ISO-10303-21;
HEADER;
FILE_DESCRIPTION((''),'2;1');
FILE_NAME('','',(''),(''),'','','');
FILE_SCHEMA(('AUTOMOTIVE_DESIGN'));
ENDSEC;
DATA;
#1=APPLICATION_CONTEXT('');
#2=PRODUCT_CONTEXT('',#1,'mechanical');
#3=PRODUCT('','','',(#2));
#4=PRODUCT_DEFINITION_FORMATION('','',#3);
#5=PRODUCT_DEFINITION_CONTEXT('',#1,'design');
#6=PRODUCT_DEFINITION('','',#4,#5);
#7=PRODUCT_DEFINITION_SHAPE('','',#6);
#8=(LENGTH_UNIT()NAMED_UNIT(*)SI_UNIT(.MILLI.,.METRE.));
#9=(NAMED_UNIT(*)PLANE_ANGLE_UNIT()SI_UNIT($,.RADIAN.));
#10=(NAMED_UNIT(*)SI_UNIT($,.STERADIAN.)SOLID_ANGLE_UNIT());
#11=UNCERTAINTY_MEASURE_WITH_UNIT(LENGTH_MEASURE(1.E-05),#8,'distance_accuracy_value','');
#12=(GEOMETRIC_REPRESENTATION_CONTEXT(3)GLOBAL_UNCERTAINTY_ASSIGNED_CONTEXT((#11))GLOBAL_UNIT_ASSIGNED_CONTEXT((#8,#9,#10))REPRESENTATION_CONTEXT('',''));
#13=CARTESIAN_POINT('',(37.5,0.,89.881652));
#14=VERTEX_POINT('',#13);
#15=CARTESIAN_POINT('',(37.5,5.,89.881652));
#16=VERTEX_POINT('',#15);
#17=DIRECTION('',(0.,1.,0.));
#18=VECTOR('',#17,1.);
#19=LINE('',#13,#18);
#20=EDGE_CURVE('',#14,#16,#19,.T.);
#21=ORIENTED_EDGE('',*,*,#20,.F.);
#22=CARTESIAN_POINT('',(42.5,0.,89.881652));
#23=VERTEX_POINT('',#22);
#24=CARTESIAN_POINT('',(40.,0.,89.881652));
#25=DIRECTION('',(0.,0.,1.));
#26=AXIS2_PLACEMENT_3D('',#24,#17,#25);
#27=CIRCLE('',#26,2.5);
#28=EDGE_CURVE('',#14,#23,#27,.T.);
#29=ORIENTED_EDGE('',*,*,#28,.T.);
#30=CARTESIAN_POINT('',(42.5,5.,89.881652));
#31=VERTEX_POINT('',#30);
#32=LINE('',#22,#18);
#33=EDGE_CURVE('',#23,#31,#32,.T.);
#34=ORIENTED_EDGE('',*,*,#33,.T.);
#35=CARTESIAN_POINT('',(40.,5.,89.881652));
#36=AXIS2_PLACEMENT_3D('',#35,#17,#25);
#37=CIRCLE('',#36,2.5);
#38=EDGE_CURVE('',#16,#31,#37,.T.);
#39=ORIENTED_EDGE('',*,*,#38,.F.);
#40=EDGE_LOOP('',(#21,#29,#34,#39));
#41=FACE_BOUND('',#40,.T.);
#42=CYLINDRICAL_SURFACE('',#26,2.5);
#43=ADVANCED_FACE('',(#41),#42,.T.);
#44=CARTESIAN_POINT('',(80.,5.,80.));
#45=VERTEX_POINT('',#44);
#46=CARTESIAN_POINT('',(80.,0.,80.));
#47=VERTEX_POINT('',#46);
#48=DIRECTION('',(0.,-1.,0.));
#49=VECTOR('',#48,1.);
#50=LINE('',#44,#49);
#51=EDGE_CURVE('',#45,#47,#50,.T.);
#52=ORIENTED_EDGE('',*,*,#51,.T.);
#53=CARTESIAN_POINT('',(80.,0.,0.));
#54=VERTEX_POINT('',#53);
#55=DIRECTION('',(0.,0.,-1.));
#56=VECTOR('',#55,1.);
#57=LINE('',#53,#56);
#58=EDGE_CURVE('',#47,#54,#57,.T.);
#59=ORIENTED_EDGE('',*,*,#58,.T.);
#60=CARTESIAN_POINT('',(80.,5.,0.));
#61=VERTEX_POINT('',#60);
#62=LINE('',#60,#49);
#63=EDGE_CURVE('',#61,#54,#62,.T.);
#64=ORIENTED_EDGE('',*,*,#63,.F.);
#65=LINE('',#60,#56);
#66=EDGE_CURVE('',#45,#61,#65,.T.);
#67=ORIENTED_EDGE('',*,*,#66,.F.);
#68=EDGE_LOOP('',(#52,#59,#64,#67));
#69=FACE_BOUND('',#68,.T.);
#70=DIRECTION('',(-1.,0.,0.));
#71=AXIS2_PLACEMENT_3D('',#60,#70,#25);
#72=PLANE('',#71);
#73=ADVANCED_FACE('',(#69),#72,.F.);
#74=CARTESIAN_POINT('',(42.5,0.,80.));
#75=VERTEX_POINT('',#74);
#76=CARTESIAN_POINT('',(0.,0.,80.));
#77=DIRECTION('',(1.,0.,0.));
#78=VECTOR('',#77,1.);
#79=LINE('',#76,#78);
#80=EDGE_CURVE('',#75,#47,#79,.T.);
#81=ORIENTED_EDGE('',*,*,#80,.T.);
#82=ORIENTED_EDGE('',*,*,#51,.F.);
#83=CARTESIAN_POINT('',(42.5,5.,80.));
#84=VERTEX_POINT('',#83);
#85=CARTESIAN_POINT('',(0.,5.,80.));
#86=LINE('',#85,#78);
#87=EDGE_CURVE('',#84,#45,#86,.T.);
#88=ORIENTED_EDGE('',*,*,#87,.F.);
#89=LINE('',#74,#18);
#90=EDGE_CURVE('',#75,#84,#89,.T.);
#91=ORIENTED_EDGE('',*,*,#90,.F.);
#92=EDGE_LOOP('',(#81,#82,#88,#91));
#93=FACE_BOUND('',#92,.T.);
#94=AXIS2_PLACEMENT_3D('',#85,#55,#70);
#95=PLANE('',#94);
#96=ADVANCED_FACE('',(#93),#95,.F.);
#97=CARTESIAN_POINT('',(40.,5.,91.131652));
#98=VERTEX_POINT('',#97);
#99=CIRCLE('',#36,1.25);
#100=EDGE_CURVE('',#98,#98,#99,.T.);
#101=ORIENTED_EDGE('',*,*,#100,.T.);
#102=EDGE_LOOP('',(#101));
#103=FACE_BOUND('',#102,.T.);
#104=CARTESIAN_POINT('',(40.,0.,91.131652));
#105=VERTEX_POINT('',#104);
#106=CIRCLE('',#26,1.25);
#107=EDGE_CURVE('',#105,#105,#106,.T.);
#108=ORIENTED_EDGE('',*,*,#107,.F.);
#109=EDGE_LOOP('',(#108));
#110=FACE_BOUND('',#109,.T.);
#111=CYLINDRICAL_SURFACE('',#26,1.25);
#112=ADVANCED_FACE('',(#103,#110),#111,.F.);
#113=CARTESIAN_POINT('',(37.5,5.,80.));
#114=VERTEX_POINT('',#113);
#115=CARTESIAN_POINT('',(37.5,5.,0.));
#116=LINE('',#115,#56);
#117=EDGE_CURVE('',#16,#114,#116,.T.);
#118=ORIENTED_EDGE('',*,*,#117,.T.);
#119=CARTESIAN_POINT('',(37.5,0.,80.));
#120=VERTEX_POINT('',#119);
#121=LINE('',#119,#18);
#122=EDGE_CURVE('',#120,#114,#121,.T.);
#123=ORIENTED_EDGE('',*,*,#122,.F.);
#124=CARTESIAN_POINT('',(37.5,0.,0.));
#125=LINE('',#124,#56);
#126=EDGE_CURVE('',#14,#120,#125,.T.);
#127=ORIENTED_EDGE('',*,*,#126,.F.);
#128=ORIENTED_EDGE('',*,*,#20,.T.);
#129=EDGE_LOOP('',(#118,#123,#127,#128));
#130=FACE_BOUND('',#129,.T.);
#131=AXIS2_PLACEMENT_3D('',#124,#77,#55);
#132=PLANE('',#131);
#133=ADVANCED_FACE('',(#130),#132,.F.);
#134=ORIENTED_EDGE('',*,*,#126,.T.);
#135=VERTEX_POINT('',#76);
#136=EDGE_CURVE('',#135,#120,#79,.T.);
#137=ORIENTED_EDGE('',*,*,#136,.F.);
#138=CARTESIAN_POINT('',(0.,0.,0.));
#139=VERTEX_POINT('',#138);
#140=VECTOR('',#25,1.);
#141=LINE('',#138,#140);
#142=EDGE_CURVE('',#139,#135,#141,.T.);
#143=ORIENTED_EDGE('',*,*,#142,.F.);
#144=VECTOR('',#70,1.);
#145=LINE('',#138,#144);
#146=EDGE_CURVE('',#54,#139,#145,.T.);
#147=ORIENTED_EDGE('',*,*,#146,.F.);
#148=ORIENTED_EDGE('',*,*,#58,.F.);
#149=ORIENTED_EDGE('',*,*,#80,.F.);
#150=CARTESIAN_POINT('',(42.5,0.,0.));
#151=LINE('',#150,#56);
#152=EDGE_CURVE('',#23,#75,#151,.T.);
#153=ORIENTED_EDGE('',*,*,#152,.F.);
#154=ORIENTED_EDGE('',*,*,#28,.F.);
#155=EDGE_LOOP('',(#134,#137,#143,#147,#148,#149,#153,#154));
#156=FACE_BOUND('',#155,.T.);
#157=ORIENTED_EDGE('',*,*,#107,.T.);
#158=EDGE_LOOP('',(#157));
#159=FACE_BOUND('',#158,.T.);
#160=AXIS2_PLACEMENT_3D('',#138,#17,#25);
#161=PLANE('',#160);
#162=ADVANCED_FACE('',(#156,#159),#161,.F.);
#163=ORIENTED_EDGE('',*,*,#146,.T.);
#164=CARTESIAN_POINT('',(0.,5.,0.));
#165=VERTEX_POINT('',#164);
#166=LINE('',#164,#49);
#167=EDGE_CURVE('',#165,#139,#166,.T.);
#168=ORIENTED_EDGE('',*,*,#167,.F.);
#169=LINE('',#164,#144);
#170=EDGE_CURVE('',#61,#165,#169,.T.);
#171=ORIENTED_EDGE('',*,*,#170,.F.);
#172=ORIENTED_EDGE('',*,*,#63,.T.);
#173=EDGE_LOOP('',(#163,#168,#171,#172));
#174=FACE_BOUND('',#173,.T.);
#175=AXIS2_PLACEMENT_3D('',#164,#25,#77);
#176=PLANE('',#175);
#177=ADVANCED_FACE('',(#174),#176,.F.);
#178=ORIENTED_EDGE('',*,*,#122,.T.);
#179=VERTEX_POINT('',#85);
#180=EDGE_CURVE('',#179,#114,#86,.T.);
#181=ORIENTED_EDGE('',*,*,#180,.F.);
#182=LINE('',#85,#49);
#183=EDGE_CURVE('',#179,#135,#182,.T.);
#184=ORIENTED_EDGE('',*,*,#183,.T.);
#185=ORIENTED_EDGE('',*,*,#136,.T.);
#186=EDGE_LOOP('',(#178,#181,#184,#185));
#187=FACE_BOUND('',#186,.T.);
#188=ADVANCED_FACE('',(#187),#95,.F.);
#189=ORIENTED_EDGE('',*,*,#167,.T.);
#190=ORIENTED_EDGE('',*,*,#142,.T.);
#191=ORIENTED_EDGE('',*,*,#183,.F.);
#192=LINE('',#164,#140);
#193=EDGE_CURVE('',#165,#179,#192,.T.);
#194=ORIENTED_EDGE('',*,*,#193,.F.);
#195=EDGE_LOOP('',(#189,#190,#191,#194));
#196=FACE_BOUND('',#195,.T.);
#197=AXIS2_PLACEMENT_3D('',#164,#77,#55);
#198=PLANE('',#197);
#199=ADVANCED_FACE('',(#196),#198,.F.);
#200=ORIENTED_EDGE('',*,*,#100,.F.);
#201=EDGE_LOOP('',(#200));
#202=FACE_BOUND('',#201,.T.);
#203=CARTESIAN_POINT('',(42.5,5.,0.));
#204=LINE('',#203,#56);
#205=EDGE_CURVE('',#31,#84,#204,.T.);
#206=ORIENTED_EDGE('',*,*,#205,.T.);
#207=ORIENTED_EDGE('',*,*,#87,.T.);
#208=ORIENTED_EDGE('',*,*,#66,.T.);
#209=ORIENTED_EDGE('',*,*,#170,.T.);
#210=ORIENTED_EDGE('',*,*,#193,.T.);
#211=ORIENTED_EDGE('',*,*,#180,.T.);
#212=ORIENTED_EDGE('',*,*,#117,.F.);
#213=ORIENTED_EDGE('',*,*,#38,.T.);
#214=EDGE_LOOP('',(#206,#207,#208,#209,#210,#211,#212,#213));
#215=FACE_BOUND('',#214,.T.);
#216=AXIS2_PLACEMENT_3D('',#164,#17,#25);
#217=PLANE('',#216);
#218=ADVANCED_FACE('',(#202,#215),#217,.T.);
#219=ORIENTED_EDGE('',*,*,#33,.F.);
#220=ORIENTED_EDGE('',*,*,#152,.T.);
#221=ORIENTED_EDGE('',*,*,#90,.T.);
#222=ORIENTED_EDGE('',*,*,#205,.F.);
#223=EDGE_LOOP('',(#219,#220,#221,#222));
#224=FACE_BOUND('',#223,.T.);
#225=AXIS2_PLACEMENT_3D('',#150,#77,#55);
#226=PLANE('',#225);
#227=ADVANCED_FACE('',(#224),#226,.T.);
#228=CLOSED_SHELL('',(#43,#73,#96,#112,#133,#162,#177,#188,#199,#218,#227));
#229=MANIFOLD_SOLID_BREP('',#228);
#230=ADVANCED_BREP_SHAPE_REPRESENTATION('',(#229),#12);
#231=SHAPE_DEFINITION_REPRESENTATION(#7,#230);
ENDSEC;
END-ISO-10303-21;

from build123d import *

# Parameters (mm, degrees)
SKETCH2_W           = 80
SKETCH2_H           = 80
BOSS_EXTRUDE1_DEPTH = 5
SKETCH3_R           = 1.25
BOSS_EXTRUDE2_DEPTH = 5


with BuildPart() as part:
    # Sketch2 → Boss-Extrude1 (new body)
    with BuildSketch(Plane(origin=(0, 0, 0), x_dir=(1, 0, 0), z_dir=(0, 1, 0))):
        with Locations((40, -40)):
            Rectangle(SKETCH2_W, SKETCH2_H)
    extrude(amount=BOSS_EXTRUDE1_DEPTH)

    # Sketch3 → Boss-Extrude2 (add)
    with BuildSketch(Plane(origin=(0, 5, 0), x_dir=(1, 0, 0), z_dir=(0, 1, 0))):
        with BuildLine():
            Line((37.5, -80), (37.5, -89.881652202))
            ThreePointArc((37.5, -89.881652202), (40, -92.381652202), (42.5, -89.881652202))
            Line((42.5, -89.881652202), (42.5, -80))
            Line((42.5, -80), (37.5, -80))
        make_face()
        with Locations((40, -89.881652202)):
            Circle(SKETCH3_R, mode=Mode.SUBTRACT)
    extrude(amount=-BOSS_EXTRUDE2_DEPTH)


solid = part.part
